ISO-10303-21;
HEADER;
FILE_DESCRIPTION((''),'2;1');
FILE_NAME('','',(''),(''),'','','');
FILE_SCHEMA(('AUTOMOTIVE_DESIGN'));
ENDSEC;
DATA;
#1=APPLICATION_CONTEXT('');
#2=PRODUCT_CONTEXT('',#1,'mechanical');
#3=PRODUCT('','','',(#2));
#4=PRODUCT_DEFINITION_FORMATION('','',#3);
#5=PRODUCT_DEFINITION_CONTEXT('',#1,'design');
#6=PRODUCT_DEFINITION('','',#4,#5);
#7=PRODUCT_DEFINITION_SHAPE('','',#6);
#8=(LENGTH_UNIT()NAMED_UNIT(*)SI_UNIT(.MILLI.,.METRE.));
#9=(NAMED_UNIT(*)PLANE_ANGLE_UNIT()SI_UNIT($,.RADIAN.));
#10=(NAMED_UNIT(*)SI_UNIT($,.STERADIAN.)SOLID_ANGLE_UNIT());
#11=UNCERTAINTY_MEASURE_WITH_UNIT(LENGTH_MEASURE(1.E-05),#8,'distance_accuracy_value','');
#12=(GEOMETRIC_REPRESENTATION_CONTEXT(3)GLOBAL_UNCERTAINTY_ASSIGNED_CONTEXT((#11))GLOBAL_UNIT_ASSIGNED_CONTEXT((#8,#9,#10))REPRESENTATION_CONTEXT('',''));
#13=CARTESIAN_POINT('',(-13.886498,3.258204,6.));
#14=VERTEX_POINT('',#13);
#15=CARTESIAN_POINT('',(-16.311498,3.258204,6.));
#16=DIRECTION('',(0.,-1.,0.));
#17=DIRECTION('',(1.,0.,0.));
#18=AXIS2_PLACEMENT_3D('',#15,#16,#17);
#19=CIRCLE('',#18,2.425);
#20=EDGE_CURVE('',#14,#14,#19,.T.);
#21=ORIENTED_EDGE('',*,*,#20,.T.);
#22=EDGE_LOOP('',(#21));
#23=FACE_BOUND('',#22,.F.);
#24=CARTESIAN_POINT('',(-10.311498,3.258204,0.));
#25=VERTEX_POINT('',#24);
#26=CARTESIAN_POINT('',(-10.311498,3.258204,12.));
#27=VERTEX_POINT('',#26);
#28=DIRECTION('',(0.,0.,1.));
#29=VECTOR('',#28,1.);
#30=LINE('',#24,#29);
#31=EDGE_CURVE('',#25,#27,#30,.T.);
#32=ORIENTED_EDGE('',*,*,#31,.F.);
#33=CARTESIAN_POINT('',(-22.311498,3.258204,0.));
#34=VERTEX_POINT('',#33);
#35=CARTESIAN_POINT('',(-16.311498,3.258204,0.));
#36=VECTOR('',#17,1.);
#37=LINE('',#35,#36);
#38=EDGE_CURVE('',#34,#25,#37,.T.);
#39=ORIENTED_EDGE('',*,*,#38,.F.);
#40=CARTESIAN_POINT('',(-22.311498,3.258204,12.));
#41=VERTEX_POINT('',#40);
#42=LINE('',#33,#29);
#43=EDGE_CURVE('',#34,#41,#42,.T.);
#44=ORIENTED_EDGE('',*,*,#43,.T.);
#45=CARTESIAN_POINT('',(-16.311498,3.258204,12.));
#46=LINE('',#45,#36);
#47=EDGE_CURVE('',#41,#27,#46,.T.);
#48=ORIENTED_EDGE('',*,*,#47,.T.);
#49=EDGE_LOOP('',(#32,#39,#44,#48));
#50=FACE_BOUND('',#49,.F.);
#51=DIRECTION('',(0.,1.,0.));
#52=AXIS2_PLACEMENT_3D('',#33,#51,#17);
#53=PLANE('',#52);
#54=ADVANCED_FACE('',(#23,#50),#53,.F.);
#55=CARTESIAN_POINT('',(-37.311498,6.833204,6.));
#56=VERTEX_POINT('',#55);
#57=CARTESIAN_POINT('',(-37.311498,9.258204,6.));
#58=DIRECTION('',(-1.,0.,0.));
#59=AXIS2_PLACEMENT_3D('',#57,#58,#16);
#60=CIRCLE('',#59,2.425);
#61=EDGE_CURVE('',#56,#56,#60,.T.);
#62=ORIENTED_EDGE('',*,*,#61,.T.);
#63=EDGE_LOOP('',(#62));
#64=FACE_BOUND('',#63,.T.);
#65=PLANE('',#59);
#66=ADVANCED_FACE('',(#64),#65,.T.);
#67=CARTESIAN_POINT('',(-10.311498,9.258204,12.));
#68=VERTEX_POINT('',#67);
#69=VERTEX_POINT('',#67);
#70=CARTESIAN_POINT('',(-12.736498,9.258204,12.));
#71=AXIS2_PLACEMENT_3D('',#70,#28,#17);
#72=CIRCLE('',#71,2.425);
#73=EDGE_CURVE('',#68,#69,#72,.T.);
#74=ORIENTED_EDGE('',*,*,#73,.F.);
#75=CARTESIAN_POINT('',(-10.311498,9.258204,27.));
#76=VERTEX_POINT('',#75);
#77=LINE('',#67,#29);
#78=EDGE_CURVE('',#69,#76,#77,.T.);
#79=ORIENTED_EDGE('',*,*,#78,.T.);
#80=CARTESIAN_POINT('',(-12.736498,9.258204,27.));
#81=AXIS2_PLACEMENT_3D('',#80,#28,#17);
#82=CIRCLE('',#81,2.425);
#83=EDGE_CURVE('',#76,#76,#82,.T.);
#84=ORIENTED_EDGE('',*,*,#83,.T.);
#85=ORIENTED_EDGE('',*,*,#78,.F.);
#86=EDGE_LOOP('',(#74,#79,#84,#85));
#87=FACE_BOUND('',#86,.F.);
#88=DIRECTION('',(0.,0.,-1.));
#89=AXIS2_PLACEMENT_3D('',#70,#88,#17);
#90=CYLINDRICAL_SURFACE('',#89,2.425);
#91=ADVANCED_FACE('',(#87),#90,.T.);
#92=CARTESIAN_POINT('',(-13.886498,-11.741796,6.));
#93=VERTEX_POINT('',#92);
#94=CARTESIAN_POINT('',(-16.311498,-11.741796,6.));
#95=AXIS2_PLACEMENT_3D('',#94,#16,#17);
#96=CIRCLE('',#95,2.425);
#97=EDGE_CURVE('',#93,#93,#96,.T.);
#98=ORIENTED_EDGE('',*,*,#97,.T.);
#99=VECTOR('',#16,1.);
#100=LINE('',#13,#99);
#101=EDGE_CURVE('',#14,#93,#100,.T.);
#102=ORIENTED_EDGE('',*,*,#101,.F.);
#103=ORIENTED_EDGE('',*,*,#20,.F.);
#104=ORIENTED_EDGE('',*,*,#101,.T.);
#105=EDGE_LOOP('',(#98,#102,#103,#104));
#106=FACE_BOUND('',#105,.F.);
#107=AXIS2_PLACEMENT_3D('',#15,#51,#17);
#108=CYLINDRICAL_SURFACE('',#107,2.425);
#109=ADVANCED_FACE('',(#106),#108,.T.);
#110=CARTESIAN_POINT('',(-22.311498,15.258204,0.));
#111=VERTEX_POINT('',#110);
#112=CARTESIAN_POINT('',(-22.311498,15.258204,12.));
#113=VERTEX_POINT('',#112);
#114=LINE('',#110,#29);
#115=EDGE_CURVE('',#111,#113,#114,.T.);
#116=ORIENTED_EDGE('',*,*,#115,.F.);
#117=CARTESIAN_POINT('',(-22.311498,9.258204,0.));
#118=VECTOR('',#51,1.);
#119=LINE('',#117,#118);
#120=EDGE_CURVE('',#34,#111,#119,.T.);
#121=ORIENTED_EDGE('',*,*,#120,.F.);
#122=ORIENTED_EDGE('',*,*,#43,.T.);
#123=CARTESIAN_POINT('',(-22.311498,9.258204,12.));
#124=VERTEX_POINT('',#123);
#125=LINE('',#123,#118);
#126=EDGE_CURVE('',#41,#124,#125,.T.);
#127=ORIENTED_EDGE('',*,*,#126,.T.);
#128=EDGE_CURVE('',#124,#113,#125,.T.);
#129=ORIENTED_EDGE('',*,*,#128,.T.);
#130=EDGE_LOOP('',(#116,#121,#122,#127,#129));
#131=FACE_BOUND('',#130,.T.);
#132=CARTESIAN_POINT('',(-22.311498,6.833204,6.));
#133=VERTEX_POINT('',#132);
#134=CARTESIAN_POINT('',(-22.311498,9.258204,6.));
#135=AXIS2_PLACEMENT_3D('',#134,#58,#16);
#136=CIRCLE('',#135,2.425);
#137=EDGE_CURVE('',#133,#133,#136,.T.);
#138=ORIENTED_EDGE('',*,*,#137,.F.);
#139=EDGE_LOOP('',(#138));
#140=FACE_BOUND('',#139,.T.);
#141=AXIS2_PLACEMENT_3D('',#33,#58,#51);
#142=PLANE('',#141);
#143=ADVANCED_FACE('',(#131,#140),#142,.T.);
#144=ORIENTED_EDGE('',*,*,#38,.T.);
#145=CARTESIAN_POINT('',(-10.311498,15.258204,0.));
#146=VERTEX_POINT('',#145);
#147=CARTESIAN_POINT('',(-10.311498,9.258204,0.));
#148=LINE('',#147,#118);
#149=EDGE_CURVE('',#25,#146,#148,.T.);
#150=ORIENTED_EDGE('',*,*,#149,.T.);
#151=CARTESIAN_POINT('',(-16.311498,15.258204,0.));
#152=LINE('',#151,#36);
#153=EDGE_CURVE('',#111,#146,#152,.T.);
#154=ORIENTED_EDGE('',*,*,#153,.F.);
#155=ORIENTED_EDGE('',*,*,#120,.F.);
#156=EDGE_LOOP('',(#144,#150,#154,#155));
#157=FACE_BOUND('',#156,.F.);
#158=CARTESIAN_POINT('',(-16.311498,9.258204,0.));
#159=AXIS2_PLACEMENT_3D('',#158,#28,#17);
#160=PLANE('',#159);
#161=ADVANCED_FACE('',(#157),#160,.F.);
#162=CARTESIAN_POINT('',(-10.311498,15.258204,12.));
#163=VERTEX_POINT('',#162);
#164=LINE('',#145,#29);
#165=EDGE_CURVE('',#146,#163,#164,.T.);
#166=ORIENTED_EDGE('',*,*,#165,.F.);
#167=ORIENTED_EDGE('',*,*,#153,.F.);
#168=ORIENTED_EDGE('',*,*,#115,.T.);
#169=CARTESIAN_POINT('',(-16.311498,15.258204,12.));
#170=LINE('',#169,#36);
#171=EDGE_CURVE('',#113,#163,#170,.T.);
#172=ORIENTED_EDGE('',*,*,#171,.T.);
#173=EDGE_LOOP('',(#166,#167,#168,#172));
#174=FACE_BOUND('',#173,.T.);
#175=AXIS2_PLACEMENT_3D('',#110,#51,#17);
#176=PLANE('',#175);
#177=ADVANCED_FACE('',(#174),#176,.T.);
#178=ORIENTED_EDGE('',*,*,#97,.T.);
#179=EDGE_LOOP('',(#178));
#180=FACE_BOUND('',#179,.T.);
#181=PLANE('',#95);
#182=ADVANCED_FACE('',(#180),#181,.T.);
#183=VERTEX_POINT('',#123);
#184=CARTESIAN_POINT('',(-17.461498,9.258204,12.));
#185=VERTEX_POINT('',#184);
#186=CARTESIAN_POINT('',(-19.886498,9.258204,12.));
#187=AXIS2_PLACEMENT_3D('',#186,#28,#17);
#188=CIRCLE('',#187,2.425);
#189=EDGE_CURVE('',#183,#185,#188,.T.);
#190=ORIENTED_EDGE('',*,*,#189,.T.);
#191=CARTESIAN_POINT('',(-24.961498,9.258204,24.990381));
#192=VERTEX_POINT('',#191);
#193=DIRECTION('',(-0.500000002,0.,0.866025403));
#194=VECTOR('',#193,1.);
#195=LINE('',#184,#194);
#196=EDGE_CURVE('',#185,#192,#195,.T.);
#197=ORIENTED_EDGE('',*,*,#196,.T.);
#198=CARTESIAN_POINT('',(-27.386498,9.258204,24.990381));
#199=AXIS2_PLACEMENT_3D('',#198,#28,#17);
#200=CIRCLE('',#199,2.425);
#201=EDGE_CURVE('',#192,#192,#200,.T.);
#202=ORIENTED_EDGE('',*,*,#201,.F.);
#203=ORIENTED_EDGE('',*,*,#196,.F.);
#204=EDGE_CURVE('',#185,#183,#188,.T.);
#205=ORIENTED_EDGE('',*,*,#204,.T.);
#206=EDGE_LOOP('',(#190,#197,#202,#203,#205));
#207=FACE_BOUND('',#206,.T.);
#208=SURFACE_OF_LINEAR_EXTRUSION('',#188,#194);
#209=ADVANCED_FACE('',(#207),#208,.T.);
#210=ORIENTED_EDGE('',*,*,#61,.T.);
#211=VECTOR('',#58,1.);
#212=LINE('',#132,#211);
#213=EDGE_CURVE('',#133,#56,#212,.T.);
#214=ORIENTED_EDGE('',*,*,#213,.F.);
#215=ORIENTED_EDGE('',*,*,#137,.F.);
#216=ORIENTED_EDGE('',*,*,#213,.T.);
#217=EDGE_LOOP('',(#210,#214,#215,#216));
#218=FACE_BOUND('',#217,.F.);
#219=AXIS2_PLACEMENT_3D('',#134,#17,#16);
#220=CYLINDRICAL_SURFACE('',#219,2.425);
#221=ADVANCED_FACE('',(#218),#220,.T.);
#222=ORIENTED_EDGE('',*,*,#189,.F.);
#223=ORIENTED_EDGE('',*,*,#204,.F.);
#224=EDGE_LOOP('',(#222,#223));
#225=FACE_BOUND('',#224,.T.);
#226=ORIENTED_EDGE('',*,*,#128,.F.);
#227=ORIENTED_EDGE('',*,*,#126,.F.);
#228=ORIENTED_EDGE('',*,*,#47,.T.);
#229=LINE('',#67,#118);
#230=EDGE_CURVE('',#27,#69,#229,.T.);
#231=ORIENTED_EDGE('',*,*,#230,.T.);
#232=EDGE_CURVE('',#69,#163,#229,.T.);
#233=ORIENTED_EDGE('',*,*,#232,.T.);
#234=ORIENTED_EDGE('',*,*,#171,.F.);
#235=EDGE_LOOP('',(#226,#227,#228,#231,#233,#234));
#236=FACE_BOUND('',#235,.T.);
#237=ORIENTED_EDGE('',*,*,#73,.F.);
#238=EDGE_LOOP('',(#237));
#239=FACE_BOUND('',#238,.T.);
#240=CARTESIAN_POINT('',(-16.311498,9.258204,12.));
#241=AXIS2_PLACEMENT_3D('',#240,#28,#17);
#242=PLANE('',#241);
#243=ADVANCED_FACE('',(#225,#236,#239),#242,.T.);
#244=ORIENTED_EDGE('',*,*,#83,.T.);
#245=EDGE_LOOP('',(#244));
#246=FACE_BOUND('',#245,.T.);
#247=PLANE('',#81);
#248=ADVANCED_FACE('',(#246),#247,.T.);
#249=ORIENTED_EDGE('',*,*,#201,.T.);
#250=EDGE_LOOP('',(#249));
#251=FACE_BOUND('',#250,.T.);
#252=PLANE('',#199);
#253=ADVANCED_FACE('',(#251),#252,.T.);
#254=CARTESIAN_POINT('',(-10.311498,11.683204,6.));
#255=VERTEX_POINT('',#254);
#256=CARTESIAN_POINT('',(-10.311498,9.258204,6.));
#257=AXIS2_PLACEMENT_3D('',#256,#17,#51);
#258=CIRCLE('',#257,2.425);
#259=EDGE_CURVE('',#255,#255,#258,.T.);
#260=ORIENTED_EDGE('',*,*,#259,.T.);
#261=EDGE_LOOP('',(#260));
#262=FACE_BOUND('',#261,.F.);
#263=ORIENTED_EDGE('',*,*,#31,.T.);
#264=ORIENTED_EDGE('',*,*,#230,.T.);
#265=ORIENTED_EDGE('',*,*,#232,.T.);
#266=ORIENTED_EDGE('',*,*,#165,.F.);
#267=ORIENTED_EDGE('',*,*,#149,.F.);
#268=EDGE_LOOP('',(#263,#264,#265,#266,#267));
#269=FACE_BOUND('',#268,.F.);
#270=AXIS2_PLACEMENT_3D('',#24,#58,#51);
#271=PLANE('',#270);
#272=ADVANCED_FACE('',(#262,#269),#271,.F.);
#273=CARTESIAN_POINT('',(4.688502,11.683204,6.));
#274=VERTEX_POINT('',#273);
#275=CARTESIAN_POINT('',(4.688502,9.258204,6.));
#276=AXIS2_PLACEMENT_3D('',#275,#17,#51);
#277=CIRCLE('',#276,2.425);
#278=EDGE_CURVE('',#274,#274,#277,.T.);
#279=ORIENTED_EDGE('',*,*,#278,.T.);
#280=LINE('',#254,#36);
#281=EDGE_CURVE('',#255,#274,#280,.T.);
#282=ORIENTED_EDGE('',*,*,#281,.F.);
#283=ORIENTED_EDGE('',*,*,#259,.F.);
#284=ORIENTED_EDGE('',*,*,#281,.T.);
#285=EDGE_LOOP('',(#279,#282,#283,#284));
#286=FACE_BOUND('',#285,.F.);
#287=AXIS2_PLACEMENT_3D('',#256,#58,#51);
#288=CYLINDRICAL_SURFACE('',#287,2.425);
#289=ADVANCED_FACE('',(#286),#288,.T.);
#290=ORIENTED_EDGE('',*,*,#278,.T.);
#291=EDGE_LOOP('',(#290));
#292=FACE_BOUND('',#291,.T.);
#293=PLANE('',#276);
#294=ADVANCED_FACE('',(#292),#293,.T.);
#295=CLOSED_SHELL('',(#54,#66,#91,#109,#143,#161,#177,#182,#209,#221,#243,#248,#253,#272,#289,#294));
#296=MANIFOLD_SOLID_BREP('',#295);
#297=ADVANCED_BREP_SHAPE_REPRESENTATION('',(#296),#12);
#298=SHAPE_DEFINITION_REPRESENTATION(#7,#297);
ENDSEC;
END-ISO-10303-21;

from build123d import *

# Parameters (mm, degrees)
F0_W      = 12
F0_H      = 12
F1_DEPTH  = 12
F2_R      = 2.425
F3_DEPTH  = 15
F4_R      = 2.425
F5_DEPTH  = 15
F6_R      = 2.425
F7_DEPTH  = 15
F8_R      = 2.425
F11_DEPTH = 15


with BuildPart() as f1:
    # F0 (on Top) → F1 (new body)
    with BuildSketch(Plane.XY):
        with Locations((-16.311498, 9.258204)):
            Rectangle(F0_W, F0_H)
    extrude(amount=F1_DEPTH)

    # F2 (on face) → F3 (join)
    with BuildSketch(Plane.YZ.offset(-10.311498)):
        with Locations((9.258204, 6)):
            Circle(F2_R)
    extrude(amount=F3_DEPTH)

    # F4 (on face) → F5 (join)
    with BuildSketch(Plane(origin=(-22.311498, 0, 0), x_dir=(0, -1, 0), z_dir=(-1, 0, 0))):
        with Locations((-9.258204, 6)):
            Circle(F4_R)
    extrude(amount=F5_DEPTH)

    # F6 (on face) → F7 (join)
    with BuildSketch(Plane.XZ.offset(-3.258204)):
        with Locations((-16.311498, 6)):
            Circle(F6_R)
    extrude(amount=F7_DEPTH)

    # F10: sweep along a path in F9
    with BuildLine(Plane(origin=(0, 15.258204, 0), x_dir=(-1, 0, 0), z_dir=(0, 1, 0))) as f10_path:
        Line((19.886498, 12), (27.386498, 24.990381))
    # F8 (on face) → F10 (sweep)
    with BuildSketch(Plane.XY.offset(12)):
        with BuildLine():
            ThreePointArc((-22.311498, 9.258204), (-19.886498, 6.833204), (-17.461498, 9.258204))
            ThreePointArc((-17.461498, 9.258204), (-19.886498, 11.683204), (-22.311498, 9.258204))
        make_face()
    sweep(path=f10_path.line)

    # F8 (on face) → F11 (join)
    with BuildSketch(Plane.XY.offset(12)):
        with Locations((-12.736498, 9.258204)):
            Circle(F8_R)
    extrude(amount=F11_DEPTH)


solid = f1.part
